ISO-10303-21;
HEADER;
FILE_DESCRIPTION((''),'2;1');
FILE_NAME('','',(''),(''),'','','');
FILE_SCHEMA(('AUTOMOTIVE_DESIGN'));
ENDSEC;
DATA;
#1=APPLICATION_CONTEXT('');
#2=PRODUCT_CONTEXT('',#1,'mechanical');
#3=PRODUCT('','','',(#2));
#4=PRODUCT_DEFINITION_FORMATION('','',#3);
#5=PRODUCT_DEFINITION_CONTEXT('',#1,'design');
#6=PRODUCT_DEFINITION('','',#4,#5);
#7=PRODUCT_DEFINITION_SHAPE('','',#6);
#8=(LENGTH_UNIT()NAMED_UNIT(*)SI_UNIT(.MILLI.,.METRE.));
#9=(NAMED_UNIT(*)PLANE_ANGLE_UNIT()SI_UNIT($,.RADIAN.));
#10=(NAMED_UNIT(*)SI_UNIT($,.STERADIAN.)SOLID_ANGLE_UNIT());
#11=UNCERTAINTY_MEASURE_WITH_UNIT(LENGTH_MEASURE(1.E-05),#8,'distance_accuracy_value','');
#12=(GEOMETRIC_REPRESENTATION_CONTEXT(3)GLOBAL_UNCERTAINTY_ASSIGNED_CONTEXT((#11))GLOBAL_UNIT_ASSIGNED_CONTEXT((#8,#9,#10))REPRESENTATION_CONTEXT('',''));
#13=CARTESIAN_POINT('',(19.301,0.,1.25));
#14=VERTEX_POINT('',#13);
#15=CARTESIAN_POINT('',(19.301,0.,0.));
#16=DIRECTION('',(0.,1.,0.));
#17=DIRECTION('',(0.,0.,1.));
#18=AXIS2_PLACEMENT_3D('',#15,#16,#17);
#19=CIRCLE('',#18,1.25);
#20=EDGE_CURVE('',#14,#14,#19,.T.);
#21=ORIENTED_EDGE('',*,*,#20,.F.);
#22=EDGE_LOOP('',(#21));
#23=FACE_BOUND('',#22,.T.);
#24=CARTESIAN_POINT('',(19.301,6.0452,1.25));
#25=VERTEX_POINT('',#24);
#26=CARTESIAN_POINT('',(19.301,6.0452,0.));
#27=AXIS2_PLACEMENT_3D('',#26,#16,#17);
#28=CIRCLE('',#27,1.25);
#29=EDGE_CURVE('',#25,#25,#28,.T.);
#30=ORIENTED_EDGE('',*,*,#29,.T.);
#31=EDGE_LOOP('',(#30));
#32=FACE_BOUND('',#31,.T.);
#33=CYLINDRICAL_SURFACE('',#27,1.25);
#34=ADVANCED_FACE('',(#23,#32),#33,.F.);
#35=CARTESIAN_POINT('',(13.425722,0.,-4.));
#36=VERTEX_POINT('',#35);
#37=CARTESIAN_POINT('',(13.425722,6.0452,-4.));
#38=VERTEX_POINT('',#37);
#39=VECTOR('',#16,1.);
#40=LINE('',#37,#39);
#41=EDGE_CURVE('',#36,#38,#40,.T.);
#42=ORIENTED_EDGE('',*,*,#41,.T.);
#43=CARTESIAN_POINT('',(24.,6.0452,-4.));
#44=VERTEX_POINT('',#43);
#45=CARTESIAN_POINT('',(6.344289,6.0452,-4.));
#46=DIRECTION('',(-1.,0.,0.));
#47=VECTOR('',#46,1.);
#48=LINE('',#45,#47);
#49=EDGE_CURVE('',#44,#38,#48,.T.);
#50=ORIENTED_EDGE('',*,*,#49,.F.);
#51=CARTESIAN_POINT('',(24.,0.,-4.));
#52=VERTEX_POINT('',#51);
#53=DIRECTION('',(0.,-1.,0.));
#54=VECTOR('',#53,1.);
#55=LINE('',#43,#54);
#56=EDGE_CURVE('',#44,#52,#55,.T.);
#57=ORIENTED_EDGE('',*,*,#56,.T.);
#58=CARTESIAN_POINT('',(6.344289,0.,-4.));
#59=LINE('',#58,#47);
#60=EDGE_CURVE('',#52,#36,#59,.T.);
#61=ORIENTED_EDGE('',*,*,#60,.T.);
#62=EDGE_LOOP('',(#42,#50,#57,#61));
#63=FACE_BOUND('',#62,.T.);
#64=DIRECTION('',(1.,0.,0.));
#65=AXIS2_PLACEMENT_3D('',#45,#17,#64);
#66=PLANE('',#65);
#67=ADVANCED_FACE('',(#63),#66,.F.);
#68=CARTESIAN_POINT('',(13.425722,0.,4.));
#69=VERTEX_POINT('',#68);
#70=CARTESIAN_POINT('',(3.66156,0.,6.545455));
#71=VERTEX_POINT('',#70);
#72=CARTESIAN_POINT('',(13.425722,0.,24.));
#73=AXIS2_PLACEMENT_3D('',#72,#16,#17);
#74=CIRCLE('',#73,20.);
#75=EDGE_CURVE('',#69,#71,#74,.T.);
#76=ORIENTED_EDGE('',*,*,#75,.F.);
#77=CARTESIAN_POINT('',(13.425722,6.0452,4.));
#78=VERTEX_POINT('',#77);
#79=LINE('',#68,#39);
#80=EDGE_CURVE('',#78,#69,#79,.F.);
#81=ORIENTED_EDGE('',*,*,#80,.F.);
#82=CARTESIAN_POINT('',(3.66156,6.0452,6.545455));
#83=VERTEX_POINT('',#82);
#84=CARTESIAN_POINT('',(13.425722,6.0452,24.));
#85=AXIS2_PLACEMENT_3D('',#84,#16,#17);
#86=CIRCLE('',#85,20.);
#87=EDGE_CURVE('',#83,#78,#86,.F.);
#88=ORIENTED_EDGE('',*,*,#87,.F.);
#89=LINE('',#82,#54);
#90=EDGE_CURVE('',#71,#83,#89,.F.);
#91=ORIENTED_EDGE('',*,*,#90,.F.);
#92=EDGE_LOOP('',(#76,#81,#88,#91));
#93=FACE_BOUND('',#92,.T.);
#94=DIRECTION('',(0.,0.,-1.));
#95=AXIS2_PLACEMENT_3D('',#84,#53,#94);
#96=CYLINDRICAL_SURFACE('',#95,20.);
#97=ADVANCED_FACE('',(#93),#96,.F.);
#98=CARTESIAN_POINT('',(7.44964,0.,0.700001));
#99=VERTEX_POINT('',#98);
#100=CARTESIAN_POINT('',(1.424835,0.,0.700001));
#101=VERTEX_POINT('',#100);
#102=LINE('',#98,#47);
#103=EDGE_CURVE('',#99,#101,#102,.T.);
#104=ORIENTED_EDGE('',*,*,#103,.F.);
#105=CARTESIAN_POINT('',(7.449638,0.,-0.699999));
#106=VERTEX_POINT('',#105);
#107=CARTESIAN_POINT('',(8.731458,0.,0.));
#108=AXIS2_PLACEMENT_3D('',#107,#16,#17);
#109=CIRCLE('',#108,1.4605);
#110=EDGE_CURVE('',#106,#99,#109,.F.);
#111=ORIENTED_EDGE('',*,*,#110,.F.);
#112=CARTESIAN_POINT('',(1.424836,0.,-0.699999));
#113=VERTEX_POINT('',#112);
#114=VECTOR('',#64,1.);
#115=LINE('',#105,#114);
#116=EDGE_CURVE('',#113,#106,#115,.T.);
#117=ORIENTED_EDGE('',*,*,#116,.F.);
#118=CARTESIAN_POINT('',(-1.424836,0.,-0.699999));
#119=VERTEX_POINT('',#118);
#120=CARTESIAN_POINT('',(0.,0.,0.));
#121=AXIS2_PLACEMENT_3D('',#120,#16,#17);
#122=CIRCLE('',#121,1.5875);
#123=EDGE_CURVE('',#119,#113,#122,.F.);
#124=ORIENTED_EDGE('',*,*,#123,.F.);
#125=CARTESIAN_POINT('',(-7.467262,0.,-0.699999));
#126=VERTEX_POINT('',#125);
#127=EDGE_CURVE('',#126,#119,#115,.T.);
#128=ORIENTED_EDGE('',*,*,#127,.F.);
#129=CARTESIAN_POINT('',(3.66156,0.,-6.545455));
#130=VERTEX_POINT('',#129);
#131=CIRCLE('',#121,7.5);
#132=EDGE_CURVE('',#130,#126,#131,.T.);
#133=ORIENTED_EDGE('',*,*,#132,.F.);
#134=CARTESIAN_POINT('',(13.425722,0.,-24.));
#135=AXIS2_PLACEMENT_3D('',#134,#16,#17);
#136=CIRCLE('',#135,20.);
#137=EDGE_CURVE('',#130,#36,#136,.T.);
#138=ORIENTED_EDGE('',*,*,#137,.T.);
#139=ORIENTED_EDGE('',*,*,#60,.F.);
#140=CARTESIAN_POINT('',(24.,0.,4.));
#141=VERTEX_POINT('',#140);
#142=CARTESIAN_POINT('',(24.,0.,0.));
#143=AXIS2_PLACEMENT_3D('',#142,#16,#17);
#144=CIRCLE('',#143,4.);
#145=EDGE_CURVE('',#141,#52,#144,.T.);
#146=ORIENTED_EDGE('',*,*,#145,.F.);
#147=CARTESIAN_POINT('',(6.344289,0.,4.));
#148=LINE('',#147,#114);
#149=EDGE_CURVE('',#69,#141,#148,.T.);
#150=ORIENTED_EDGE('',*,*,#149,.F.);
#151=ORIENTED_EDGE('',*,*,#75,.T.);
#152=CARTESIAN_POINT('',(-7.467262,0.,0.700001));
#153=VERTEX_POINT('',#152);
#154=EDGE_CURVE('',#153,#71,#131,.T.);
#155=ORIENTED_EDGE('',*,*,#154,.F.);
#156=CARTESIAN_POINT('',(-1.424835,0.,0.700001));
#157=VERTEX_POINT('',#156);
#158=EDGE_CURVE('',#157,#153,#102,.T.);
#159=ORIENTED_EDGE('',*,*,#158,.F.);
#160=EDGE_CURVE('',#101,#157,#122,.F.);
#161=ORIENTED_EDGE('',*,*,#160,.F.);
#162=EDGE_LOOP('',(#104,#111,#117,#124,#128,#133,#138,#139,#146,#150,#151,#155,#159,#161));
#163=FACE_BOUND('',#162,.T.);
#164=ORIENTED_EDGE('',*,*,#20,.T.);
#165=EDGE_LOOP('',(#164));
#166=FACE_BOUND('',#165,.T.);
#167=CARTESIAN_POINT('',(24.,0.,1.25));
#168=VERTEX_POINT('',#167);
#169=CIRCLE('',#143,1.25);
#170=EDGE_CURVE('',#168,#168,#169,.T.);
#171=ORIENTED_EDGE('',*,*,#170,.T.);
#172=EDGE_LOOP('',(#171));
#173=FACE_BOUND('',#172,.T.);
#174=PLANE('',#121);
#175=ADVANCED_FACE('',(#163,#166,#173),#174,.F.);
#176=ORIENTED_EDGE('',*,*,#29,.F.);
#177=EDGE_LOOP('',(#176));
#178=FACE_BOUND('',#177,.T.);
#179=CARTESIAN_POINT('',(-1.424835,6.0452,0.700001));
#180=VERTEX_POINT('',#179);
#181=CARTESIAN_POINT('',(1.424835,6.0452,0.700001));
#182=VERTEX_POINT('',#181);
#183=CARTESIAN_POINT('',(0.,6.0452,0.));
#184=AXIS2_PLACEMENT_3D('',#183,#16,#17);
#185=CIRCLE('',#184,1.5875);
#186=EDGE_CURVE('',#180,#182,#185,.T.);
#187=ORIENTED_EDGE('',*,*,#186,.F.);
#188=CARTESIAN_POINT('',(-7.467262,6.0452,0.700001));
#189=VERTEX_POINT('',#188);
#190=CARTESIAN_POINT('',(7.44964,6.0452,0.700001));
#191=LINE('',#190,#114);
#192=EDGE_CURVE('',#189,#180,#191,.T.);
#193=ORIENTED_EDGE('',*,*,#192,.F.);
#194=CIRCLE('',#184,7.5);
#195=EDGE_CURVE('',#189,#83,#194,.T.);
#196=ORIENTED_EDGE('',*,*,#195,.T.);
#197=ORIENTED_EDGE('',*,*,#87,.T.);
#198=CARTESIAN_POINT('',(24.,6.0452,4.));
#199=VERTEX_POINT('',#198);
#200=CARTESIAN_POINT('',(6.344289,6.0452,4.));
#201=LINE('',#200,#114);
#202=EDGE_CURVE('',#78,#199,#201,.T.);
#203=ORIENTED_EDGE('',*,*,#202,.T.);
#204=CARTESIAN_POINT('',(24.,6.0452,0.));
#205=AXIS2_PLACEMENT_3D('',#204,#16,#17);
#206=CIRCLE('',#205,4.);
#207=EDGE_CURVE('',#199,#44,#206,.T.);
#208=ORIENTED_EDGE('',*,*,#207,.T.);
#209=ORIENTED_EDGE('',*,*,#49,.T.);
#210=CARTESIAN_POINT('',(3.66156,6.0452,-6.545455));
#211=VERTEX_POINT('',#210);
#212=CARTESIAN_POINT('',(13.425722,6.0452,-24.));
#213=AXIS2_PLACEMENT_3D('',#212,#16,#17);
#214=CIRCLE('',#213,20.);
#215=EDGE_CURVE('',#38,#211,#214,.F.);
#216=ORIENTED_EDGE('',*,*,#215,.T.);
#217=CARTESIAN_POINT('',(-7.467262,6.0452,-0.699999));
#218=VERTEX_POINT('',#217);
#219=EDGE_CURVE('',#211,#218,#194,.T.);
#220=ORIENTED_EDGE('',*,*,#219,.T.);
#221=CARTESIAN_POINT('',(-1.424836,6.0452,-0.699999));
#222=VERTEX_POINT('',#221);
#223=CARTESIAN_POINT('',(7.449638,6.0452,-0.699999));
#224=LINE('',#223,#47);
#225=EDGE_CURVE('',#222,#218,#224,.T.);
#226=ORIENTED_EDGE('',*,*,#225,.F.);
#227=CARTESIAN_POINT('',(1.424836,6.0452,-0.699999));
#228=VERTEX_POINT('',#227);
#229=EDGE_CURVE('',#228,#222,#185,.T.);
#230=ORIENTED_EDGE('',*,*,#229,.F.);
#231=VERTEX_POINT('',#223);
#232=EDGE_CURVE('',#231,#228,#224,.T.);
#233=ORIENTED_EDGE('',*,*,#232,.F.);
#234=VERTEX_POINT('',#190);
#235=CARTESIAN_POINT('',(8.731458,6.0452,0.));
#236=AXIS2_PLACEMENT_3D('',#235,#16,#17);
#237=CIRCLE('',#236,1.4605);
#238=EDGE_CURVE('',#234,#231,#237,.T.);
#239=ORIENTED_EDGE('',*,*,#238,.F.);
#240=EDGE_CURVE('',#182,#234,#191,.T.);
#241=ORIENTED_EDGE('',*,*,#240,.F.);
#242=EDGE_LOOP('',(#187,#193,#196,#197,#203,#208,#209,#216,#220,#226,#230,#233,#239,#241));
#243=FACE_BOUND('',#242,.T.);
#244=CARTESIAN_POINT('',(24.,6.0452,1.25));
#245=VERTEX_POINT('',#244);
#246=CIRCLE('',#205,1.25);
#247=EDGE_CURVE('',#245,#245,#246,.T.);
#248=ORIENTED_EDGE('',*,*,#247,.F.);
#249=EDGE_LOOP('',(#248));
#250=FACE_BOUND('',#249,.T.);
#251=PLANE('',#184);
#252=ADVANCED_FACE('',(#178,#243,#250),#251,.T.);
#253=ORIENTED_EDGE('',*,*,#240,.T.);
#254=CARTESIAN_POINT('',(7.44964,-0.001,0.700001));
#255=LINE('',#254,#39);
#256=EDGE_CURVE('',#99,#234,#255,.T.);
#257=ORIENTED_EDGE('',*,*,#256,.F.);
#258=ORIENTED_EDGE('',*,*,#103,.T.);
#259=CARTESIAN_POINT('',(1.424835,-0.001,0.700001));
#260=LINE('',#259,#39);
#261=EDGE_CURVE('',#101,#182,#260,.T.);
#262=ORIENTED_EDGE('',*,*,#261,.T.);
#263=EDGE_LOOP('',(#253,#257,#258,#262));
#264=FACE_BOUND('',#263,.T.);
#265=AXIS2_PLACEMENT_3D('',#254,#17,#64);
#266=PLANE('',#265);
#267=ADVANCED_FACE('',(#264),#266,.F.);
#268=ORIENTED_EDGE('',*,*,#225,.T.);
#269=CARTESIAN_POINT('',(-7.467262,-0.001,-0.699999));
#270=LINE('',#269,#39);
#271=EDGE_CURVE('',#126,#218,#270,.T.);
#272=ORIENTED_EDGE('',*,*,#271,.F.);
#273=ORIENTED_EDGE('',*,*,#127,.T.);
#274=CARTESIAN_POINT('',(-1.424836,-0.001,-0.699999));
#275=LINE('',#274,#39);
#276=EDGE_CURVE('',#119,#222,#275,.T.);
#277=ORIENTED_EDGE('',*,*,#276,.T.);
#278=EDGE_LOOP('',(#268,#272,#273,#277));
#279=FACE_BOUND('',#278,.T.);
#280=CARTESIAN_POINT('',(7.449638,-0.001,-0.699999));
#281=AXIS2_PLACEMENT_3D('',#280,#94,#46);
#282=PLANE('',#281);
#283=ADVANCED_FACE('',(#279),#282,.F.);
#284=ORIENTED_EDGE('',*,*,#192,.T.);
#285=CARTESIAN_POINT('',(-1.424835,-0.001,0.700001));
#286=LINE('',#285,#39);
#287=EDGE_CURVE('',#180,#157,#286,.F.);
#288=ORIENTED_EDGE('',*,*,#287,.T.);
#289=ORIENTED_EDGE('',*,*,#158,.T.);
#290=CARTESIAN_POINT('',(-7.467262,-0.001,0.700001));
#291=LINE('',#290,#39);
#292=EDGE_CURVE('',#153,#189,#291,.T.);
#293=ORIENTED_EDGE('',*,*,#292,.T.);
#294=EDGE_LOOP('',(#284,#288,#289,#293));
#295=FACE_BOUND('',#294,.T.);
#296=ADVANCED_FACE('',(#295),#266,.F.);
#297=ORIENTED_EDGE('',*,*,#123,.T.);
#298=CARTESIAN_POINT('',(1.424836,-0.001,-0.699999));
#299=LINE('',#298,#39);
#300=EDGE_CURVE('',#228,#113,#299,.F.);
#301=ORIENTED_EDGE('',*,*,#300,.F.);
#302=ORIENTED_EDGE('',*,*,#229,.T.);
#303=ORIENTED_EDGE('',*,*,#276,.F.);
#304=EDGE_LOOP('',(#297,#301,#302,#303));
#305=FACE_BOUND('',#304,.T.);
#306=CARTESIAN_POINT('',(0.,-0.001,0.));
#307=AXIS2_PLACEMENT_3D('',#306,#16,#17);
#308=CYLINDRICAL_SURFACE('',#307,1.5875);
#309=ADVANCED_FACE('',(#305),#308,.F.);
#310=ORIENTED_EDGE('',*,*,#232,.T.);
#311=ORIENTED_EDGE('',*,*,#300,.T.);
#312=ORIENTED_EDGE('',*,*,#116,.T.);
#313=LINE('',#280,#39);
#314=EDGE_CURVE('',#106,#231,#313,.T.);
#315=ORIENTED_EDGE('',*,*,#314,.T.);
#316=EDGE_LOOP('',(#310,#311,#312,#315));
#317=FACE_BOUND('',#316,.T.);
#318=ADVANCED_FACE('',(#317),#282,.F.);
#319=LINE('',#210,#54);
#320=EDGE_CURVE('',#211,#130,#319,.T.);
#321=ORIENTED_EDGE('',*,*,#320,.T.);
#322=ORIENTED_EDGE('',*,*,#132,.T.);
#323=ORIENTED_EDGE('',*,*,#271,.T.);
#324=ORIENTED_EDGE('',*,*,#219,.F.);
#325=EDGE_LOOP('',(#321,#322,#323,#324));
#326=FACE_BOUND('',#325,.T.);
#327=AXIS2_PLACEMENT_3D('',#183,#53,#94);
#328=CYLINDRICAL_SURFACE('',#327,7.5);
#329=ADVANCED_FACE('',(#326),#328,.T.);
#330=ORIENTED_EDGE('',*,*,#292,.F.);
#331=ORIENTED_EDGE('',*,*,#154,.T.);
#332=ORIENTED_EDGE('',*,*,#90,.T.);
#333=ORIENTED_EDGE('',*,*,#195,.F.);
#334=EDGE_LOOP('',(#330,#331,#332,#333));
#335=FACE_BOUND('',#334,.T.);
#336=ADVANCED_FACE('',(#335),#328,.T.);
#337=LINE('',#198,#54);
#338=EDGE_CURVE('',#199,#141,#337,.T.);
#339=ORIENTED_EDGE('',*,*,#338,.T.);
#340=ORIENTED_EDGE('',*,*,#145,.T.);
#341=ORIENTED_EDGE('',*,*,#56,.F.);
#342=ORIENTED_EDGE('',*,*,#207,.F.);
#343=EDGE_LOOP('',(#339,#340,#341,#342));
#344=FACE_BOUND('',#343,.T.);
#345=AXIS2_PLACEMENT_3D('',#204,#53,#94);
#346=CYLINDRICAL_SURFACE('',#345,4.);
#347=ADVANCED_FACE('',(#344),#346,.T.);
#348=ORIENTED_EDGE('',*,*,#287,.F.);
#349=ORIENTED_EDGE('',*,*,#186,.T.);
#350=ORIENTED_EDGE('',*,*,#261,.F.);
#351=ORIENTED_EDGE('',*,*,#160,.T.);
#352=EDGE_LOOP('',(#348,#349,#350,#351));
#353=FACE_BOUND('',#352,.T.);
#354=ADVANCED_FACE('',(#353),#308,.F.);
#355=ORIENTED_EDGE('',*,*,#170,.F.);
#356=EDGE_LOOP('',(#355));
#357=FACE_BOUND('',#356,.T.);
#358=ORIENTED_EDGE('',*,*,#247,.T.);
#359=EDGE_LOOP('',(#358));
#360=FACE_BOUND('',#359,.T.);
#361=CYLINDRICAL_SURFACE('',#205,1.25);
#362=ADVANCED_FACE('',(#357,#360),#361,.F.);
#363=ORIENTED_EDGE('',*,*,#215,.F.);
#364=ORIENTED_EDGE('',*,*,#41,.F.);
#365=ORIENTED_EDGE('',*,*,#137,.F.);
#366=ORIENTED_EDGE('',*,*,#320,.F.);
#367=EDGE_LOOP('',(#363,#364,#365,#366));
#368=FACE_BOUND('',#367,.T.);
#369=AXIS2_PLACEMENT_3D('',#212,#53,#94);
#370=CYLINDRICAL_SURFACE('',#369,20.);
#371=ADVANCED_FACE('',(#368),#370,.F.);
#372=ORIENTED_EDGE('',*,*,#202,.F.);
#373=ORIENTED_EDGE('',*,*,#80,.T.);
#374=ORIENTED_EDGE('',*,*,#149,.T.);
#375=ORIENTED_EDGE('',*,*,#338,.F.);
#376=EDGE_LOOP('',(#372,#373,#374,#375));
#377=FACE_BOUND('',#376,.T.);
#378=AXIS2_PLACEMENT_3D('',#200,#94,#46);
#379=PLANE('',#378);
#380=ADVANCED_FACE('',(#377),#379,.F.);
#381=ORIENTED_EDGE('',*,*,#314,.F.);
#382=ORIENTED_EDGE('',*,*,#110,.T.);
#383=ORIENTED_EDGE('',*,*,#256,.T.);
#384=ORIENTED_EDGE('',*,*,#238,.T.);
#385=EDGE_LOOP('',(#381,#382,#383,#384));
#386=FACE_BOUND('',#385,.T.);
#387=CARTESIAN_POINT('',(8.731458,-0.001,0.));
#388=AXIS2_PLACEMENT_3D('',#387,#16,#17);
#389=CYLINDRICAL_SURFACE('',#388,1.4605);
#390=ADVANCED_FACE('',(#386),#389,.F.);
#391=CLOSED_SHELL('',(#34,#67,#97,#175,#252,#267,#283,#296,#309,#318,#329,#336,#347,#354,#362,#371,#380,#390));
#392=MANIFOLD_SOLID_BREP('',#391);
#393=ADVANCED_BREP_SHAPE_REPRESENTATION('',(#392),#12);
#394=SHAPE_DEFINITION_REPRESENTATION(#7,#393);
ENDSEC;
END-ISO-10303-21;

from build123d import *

# Parameters (mm, degrees)
BOSS_EXTRUDE1_DEPTH         = 6.0452
FILLET1_R                   = 20
TAP_DRILL_FOR_M3X0_5_TAP1_D = 2.5
CUT_EXTRUDE1_REACH          = 31.611
SKETCH6_R                   = 1.5875
SKETCH6_R_2                 = 1.4605
CUT_EXTRUDE2_START          = -6.0452
CUT_EXTRUDE2_DEPTH          = 6.0452


with BuildPart() as part:
    # Sketch1 → Boss-Extrude1 (new body)
    with BuildSketch(Plane(origin=(0, 0, 0), x_dir=(1, 0, 0), z_dir=(0, 1, 0))):
        with BuildLine():
            Line((6.34428877, -4), (24, -4))
            ThreePointArc((24, -4), (28, 0), (24, 4))
            Line((24, 4), (6.34428877, 4))
            ThreePointArc((6.34428877, 4), (-7.5, 0), (6.34428877, -4))
        make_face()
    extrude(amount=BOSS_EXTRUDE1_DEPTH)

    # Fillet1
    fillet1_edges = [part.edges().sort_by_distance(p)[0] for p in [
        (6.34428877, 3.0226, -4),
        (6.34428877, 3.0226, 4),
    ]]
    fillet(fillet1_edges, radius=FILLET1_R)

    # Tap Drill for M3x0.5 Tap1 (through all)
    with Locations(Plane(origin=(0, 6.0452, 0), x_dir=(1, 0, 0), z_dir=(0, 1, 0))):
        with Locations((19.301, 0), (24, 0)):
            Hole(TAP_DRILL_FOR_M3X0_5_TAP1_D / 2)

    # Sketch6 → Cut-Extrude1 (cut, up to next)
    with BuildSketch(Plane(origin=(0, 6.0452, 0), x_dir=(1, 0, 0), z_dir=(0, 1, 0)), mode=Mode.PRIVATE) as cut_extrude1_sk1:
        with Locations(Location((0, 0, 0), (0, 0, 270))):
            Circle(SKETCH6_R)
    cut_extrude1_tool1 = extrude(cut_extrude1_sk1.sketch, amount=-CUT_EXTRUDE1_REACH, mode=Mode.PRIVATE) & part.part
    # Sketch6 → Cut-Extrude1 (cut, up to next)
    with BuildSketch(Plane(origin=(0, 6.0452, 0), x_dir=(1, 0, 0), z_dir=(0, 1, 0)), mode=Mode.PRIVATE) as cut_extrude1_sk2:
        with Locations(Location((8.731458325, 0, 0), (0, 0, 270))):
            Circle(SKETCH6_R_2)
    cut_extrude1_tool2 = extrude(cut_extrude1_sk2.sketch, amount=-CUT_EXTRUDE1_REACH, mode=Mode.PRIVATE) & part.part
    add(cut_extrude1_tool1.solids().sort_by_distance((0, 6.0452, 0))[0], mode=Mode.SUBTRACT)
    add(cut_extrude1_tool2.solids().sort_by_distance((8.731458, 6.0452, 0))[0], mode=Mode.SUBTRACT)

    # Sketch7 → Cut-Extrude2 (cut)
    with BuildSketch(Plane(origin=(0, 6.0452, 0), x_dir=(1, 0, 0), z_dir=(0, 1, 0)).offset(CUT_EXTRUDE2_START)):
        with BuildLine():
            Line((7.449638443, 0.6999986), (-7.467262012, 0.6999986))
            ThreePointArc((-7.467262012, 0.6999986), (-7.5, -1.406e-06), (-7.46726175, -0.7000014))
            Line((-7.46726175, -0.7000014), (7.449639972, -0.7000014))
            ThreePointArc((7.449639972, -0.7000014), (7.270958325, -1.595e-06), (7.449638443, 0.6999986))
        make_face()
    extrude(amount=CUT_EXTRUDE2_DEPTH, mode=Mode.SUBTRACT)


solid = part.part
